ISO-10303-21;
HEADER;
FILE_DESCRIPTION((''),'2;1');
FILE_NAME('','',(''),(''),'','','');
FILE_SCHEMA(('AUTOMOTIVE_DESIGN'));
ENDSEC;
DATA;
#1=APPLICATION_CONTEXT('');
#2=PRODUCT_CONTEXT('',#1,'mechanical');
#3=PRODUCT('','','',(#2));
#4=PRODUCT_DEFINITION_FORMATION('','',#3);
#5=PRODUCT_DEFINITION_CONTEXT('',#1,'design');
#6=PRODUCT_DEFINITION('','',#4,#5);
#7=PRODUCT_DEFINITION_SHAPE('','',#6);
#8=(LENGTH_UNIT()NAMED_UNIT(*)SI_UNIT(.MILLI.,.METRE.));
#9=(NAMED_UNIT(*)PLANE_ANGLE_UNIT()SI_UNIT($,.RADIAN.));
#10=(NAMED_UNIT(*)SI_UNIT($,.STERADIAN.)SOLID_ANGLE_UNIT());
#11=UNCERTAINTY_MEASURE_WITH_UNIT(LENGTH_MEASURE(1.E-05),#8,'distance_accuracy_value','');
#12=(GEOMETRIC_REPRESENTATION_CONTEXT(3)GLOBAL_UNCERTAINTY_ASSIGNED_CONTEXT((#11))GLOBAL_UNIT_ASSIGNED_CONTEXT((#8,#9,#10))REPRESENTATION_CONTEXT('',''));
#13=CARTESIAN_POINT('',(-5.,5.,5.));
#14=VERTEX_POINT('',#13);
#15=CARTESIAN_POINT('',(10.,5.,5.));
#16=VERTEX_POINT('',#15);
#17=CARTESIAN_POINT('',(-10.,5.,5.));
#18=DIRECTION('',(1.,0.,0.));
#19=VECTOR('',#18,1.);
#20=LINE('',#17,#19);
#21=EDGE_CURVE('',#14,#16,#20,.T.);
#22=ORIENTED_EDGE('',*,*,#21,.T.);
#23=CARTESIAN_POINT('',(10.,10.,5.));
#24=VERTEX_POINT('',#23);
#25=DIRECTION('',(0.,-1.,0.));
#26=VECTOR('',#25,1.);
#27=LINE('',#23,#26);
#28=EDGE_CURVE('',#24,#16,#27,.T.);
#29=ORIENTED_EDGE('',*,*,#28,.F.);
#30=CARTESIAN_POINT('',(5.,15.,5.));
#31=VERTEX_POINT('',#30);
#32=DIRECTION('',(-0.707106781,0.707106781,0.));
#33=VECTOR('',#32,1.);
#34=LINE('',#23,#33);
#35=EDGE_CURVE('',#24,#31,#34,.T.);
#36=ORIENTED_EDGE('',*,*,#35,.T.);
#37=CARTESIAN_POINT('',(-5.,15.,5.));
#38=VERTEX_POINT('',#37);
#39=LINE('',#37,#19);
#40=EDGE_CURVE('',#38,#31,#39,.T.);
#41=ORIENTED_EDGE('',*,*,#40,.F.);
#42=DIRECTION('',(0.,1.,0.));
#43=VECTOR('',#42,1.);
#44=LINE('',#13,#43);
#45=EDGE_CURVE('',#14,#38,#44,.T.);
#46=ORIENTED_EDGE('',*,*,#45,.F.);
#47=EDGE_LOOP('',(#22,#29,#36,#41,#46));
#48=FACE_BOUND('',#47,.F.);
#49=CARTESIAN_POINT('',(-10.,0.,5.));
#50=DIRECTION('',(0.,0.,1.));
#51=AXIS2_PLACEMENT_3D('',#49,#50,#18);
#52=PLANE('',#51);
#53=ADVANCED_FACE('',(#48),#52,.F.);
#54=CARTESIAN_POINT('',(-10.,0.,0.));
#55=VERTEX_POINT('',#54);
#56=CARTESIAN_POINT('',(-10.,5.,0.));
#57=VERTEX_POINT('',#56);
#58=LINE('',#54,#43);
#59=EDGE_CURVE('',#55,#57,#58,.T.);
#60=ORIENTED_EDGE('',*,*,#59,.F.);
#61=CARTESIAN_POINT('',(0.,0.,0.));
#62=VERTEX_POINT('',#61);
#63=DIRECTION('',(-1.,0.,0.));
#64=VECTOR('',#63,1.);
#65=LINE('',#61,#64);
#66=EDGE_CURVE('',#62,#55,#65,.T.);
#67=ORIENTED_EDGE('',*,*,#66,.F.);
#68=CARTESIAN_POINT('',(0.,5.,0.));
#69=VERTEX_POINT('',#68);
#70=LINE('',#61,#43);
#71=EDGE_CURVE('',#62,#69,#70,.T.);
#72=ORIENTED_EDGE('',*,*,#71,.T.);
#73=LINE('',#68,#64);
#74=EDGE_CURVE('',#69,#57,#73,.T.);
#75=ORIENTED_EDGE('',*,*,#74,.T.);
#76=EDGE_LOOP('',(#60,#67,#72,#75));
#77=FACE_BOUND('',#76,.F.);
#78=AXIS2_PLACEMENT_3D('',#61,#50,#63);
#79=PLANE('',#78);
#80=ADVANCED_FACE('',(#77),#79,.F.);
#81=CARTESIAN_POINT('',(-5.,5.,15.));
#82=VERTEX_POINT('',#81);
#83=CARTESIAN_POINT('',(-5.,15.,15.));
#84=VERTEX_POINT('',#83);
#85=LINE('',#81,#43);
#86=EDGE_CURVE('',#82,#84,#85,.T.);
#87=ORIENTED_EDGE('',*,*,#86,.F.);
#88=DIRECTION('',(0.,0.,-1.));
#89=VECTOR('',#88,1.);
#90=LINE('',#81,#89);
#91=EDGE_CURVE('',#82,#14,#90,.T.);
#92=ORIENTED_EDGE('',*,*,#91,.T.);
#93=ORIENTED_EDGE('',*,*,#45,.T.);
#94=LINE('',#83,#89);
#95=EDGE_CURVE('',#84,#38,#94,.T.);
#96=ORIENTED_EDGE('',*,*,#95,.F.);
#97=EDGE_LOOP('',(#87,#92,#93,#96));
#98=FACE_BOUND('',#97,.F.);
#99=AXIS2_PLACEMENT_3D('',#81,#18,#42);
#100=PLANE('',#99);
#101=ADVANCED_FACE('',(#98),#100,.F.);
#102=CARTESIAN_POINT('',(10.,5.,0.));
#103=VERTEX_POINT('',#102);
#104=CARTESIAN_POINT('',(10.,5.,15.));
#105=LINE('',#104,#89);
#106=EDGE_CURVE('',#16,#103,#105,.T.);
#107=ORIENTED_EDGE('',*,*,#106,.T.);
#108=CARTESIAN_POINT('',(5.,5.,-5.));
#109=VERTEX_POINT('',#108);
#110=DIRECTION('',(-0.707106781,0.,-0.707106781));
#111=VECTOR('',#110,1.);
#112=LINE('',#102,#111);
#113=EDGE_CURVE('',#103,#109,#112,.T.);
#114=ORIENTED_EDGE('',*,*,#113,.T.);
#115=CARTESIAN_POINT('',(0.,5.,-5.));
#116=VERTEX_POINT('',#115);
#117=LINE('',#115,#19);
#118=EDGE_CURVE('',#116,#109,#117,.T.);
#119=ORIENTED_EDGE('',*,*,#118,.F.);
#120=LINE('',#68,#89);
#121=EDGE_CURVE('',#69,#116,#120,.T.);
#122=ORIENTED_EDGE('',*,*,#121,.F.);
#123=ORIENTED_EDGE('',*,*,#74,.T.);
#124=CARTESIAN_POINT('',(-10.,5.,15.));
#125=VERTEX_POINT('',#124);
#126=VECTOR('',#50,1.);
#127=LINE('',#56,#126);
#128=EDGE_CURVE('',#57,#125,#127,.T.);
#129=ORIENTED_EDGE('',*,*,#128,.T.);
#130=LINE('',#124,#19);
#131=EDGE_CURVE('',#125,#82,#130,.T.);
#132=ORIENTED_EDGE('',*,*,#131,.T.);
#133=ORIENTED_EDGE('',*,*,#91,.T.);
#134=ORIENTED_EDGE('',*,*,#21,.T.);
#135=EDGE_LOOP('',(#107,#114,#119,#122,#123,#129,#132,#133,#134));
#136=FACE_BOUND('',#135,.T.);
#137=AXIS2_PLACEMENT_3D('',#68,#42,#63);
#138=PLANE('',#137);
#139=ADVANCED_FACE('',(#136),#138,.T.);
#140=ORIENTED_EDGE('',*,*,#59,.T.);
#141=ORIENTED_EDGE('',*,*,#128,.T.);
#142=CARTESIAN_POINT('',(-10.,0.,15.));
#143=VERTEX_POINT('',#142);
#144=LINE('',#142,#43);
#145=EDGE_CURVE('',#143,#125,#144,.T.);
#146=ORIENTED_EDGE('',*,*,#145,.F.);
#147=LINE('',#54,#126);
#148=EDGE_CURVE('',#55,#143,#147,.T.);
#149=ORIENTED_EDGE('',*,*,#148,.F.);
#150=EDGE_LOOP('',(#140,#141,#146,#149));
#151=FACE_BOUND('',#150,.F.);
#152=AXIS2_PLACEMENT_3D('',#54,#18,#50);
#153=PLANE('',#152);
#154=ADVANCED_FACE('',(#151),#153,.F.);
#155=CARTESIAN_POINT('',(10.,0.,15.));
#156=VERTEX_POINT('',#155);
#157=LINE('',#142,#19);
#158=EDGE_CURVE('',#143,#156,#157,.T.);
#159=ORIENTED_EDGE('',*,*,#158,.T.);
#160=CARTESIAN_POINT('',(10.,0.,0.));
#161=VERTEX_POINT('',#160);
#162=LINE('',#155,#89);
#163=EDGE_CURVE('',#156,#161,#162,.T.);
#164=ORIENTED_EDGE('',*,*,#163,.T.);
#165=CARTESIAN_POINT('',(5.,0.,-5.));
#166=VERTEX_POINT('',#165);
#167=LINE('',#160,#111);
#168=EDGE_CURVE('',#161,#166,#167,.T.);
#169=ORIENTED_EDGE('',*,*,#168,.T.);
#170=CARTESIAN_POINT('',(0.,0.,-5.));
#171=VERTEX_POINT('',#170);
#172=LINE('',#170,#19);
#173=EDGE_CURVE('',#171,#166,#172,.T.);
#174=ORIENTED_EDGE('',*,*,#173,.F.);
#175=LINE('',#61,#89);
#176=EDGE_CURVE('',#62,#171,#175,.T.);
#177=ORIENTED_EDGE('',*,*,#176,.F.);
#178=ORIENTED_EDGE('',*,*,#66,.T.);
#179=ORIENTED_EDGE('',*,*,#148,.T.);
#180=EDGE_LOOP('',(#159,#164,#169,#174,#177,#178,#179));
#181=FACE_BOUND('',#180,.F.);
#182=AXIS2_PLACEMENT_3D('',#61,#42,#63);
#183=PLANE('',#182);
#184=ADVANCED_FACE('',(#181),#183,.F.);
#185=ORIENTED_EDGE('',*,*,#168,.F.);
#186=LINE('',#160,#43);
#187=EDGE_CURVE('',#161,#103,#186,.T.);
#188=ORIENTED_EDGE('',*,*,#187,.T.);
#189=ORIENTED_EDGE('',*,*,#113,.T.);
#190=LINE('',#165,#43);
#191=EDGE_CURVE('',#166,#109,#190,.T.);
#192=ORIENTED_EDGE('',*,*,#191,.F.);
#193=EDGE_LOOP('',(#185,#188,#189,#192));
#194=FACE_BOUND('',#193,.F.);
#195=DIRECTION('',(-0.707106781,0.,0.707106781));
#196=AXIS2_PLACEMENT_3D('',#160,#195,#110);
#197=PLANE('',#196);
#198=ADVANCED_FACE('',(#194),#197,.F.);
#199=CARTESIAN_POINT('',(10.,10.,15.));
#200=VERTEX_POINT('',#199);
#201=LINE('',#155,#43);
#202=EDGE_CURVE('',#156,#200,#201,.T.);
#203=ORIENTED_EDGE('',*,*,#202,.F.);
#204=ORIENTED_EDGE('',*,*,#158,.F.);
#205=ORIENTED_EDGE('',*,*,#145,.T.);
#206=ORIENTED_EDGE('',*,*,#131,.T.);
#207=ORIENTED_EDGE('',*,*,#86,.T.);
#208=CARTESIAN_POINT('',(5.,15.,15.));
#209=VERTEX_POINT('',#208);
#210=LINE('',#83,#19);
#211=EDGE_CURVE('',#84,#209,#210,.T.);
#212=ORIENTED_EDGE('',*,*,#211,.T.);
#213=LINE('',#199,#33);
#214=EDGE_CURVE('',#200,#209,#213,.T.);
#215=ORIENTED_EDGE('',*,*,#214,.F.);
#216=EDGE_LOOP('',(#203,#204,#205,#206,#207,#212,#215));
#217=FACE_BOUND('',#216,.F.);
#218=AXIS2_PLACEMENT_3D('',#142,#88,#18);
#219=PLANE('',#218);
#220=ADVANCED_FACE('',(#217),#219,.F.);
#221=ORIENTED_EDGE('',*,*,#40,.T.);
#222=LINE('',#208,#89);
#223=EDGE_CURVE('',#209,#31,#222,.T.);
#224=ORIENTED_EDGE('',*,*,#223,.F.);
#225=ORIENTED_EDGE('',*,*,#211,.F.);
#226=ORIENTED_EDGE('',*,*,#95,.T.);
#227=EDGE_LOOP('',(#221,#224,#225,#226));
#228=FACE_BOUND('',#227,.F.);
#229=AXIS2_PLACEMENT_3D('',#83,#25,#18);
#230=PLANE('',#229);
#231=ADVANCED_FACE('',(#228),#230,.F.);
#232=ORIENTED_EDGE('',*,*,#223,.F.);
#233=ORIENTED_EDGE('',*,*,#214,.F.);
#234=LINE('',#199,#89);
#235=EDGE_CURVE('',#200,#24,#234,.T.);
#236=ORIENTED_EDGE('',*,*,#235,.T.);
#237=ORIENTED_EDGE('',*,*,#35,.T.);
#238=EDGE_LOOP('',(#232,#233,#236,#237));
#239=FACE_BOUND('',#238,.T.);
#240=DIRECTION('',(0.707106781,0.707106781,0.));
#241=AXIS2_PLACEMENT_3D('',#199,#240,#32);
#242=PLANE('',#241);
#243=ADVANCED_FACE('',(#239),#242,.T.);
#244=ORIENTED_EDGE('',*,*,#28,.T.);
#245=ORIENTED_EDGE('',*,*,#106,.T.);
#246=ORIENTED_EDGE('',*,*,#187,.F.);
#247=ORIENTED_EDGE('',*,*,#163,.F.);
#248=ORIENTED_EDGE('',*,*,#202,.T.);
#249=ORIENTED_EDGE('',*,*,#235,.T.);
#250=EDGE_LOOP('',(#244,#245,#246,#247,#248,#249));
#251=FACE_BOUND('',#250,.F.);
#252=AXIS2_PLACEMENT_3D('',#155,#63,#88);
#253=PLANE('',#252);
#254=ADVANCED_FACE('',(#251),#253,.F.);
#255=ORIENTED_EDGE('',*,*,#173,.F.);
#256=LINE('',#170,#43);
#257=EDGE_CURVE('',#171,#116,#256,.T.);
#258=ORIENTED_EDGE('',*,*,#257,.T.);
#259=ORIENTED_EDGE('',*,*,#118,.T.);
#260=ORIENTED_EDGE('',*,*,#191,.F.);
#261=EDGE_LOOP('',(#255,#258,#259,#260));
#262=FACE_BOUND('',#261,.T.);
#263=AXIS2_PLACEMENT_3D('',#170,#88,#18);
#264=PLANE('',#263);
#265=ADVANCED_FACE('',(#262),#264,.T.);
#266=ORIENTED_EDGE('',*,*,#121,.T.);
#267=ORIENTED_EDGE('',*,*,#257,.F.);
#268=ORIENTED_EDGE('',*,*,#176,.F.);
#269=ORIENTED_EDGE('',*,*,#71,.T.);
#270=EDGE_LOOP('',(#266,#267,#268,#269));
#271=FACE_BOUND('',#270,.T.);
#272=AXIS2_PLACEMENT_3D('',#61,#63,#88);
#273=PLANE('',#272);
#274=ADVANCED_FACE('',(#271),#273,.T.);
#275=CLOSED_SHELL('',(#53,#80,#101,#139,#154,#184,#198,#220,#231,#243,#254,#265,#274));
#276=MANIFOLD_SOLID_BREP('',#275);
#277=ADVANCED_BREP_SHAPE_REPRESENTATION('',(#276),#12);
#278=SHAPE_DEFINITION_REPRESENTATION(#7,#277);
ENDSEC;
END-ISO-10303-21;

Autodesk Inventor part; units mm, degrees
ref_plane "YZ Plane" through (0, 0, 0) normal (1, 0, 0) x (0, 1, 0)
ref_plane "XZ Plane" through (0, 0, 0) normal (0, 1, 0) x (-1, 0, 0)
ref_plane "XY Plane" through (0, 0, 0) normal (0, 0, 1) x (1, 0, 0)
sketch "草圖2" plane through (0, 0, 0) normal (0, 1, 0) x (-1, 0, 0)
  line L0 (10, 15) -> (-10, 15)
  line L1 (-10, 15) -> (-10, 0)
  line L2 (0, 0) -> (10, 0)
  line L3 (10, 0) -> (10, 15)
  line L4 (0, 0) -> (0, -5)
  line L5 (0, -5) -> (-5, -5)
  line L6 (-10, -5) -> (-10, -5) construction
  line L7 (-10, 0) -> (-5, -5)
  line L8 (-10, 0) -> (-10, -5) construction
  line L9 (-5, -5) -> (-10, -5) construction
  dimension "d6" = 5
  dimension "d7" = 15
  dimension "d8" = 20
  dimension "d9" = 10
  dimension "d10" = 20
  dimension "d11" = 5
extrude "擠出1" add sketch "草圖2" along normal blind 5
sketch "草圖3" plane through (-10, 0, 15) normal (0, 0, 1) x (1, 0, 0)
  line L0 (20, 0) -> (15, 0) construction
  line L1 (15, 0) -> (15, 5) construction
  line L2 (20, 5) -> (15, 5) construction
  line L3 (20, 0) -> (20, 5) construction
  line L4 (15, 0) -> (10, 0) construction
  line L5 (10, 0) -> (10, 5) construction
  line L6 (15, 5) -> (10, 5) construction
  line L7 (15, 0) -> (15, 5) construction
  line L8 (10, 0) -> (0, 0) construction
  line L9 (0, 0) -> (0, 5) construction
  line L10 (10, 5) -> (0, 5) construction
  line L11 (10, 0) -> (10, 5) construction
  line L12 (0, 5) -> (20, 5) projected
  line L13 (20, 5) -> (5, 5)
  line L14 (5, 5) -> (5, 15)
  line L15 (5, 15) -> (15, 15)
  line L16 (20, 10) -> (20, 5)
  line L17 (20, 10) -> (15, 15)
  dimension "d14" = 5
  dimension "d15" = 10
  dimension "d16" = 5
  dimension "d17" = 5
extrude "擠出2" add sketch "草圖3" against normal blind 10
properties part number "10"
